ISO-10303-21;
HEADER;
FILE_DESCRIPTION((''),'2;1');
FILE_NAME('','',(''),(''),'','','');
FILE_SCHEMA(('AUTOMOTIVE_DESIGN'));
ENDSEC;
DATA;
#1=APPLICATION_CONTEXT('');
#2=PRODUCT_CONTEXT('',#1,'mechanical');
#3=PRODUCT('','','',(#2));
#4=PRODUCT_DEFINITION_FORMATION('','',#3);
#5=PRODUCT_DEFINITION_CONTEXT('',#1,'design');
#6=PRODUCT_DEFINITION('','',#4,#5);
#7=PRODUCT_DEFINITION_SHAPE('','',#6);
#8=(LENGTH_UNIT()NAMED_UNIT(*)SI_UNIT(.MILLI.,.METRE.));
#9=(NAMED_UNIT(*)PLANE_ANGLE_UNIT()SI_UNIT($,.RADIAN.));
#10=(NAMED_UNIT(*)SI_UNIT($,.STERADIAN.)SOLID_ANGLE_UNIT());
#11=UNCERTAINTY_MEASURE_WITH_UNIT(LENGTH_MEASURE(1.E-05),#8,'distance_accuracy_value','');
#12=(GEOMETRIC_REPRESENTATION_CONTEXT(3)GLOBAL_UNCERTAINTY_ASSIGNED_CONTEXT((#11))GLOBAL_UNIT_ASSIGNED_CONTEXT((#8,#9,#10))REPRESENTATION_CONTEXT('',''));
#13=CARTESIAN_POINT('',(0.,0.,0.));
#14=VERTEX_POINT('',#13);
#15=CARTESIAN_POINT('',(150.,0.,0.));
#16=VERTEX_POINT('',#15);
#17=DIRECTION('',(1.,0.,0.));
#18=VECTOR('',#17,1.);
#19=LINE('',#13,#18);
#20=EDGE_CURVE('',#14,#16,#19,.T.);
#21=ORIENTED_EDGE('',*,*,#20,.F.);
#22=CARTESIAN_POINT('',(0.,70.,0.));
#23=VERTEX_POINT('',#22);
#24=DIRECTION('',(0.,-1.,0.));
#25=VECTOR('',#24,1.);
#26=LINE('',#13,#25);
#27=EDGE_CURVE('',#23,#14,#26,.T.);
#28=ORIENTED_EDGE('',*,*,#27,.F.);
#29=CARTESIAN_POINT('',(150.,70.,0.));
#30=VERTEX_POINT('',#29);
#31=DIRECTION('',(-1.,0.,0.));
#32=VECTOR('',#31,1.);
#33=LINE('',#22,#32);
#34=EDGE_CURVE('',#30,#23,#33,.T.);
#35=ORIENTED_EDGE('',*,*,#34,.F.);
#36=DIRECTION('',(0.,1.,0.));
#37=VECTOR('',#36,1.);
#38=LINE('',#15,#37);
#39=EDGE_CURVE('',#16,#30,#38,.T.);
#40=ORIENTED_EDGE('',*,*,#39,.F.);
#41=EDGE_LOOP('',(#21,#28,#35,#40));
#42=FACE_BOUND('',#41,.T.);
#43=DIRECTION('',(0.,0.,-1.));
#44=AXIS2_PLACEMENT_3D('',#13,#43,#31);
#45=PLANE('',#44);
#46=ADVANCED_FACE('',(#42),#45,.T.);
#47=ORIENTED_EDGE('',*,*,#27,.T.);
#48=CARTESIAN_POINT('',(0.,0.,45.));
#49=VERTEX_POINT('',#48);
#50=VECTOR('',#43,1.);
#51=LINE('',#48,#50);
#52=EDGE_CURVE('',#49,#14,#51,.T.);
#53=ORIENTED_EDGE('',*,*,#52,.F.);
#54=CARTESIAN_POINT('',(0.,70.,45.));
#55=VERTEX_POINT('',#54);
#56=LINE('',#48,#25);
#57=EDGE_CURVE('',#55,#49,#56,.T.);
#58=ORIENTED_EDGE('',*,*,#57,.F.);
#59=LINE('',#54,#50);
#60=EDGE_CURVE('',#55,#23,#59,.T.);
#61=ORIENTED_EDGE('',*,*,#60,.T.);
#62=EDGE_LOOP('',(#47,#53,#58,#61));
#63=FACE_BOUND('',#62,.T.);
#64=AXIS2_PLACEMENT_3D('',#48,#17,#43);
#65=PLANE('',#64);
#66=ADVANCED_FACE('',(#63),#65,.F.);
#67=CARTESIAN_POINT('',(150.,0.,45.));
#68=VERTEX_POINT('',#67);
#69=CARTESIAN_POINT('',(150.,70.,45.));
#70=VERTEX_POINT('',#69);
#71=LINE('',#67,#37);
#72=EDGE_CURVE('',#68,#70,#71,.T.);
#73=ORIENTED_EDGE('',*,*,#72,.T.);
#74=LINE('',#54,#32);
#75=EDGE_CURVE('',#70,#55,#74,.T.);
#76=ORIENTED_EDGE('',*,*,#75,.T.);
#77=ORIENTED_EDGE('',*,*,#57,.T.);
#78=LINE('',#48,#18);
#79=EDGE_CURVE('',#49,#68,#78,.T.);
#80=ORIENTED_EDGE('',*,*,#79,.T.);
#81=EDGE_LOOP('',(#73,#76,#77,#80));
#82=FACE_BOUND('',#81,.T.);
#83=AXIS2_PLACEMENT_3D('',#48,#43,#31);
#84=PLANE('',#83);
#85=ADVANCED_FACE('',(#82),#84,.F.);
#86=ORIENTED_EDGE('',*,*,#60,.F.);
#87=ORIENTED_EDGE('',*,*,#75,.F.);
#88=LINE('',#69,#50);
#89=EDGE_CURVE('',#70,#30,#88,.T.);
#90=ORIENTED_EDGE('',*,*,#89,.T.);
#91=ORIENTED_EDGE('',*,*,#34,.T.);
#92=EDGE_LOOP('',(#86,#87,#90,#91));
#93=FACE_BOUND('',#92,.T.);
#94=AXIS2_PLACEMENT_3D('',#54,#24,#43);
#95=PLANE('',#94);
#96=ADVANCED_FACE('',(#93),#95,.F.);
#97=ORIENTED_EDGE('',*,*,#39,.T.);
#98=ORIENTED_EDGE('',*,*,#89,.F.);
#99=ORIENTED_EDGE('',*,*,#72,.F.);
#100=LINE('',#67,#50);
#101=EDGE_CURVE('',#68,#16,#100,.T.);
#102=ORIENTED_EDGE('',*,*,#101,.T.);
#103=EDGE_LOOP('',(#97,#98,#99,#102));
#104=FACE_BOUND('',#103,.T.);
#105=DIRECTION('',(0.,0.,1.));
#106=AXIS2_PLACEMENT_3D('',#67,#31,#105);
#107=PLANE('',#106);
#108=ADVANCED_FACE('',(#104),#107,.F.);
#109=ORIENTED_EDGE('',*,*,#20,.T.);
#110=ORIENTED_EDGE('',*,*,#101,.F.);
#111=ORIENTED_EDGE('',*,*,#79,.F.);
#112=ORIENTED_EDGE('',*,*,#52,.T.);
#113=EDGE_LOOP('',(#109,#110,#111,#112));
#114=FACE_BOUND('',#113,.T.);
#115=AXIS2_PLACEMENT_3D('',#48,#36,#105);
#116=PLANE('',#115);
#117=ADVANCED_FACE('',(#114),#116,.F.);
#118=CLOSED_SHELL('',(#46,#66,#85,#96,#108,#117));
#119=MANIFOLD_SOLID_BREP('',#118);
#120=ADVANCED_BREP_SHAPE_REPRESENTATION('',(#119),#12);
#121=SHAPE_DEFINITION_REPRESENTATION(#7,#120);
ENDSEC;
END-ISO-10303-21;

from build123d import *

# Parameters (mm, degrees)
SKETCH_1_W      = 150
SKETCH_1_H      = 70
EXTRUDE_1_DEPTH = 45


with BuildPart() as part:
    # Эскиз1 → Бобышка-Вытянуть1 (new body)
    with BuildSketch(Plane.XY):
        with Locations((75, 35)):
            Rectangle(SKETCH_1_W, SKETCH_1_H)
    extrude(amount=EXTRUDE_1_DEPTH)


solid = part.part
